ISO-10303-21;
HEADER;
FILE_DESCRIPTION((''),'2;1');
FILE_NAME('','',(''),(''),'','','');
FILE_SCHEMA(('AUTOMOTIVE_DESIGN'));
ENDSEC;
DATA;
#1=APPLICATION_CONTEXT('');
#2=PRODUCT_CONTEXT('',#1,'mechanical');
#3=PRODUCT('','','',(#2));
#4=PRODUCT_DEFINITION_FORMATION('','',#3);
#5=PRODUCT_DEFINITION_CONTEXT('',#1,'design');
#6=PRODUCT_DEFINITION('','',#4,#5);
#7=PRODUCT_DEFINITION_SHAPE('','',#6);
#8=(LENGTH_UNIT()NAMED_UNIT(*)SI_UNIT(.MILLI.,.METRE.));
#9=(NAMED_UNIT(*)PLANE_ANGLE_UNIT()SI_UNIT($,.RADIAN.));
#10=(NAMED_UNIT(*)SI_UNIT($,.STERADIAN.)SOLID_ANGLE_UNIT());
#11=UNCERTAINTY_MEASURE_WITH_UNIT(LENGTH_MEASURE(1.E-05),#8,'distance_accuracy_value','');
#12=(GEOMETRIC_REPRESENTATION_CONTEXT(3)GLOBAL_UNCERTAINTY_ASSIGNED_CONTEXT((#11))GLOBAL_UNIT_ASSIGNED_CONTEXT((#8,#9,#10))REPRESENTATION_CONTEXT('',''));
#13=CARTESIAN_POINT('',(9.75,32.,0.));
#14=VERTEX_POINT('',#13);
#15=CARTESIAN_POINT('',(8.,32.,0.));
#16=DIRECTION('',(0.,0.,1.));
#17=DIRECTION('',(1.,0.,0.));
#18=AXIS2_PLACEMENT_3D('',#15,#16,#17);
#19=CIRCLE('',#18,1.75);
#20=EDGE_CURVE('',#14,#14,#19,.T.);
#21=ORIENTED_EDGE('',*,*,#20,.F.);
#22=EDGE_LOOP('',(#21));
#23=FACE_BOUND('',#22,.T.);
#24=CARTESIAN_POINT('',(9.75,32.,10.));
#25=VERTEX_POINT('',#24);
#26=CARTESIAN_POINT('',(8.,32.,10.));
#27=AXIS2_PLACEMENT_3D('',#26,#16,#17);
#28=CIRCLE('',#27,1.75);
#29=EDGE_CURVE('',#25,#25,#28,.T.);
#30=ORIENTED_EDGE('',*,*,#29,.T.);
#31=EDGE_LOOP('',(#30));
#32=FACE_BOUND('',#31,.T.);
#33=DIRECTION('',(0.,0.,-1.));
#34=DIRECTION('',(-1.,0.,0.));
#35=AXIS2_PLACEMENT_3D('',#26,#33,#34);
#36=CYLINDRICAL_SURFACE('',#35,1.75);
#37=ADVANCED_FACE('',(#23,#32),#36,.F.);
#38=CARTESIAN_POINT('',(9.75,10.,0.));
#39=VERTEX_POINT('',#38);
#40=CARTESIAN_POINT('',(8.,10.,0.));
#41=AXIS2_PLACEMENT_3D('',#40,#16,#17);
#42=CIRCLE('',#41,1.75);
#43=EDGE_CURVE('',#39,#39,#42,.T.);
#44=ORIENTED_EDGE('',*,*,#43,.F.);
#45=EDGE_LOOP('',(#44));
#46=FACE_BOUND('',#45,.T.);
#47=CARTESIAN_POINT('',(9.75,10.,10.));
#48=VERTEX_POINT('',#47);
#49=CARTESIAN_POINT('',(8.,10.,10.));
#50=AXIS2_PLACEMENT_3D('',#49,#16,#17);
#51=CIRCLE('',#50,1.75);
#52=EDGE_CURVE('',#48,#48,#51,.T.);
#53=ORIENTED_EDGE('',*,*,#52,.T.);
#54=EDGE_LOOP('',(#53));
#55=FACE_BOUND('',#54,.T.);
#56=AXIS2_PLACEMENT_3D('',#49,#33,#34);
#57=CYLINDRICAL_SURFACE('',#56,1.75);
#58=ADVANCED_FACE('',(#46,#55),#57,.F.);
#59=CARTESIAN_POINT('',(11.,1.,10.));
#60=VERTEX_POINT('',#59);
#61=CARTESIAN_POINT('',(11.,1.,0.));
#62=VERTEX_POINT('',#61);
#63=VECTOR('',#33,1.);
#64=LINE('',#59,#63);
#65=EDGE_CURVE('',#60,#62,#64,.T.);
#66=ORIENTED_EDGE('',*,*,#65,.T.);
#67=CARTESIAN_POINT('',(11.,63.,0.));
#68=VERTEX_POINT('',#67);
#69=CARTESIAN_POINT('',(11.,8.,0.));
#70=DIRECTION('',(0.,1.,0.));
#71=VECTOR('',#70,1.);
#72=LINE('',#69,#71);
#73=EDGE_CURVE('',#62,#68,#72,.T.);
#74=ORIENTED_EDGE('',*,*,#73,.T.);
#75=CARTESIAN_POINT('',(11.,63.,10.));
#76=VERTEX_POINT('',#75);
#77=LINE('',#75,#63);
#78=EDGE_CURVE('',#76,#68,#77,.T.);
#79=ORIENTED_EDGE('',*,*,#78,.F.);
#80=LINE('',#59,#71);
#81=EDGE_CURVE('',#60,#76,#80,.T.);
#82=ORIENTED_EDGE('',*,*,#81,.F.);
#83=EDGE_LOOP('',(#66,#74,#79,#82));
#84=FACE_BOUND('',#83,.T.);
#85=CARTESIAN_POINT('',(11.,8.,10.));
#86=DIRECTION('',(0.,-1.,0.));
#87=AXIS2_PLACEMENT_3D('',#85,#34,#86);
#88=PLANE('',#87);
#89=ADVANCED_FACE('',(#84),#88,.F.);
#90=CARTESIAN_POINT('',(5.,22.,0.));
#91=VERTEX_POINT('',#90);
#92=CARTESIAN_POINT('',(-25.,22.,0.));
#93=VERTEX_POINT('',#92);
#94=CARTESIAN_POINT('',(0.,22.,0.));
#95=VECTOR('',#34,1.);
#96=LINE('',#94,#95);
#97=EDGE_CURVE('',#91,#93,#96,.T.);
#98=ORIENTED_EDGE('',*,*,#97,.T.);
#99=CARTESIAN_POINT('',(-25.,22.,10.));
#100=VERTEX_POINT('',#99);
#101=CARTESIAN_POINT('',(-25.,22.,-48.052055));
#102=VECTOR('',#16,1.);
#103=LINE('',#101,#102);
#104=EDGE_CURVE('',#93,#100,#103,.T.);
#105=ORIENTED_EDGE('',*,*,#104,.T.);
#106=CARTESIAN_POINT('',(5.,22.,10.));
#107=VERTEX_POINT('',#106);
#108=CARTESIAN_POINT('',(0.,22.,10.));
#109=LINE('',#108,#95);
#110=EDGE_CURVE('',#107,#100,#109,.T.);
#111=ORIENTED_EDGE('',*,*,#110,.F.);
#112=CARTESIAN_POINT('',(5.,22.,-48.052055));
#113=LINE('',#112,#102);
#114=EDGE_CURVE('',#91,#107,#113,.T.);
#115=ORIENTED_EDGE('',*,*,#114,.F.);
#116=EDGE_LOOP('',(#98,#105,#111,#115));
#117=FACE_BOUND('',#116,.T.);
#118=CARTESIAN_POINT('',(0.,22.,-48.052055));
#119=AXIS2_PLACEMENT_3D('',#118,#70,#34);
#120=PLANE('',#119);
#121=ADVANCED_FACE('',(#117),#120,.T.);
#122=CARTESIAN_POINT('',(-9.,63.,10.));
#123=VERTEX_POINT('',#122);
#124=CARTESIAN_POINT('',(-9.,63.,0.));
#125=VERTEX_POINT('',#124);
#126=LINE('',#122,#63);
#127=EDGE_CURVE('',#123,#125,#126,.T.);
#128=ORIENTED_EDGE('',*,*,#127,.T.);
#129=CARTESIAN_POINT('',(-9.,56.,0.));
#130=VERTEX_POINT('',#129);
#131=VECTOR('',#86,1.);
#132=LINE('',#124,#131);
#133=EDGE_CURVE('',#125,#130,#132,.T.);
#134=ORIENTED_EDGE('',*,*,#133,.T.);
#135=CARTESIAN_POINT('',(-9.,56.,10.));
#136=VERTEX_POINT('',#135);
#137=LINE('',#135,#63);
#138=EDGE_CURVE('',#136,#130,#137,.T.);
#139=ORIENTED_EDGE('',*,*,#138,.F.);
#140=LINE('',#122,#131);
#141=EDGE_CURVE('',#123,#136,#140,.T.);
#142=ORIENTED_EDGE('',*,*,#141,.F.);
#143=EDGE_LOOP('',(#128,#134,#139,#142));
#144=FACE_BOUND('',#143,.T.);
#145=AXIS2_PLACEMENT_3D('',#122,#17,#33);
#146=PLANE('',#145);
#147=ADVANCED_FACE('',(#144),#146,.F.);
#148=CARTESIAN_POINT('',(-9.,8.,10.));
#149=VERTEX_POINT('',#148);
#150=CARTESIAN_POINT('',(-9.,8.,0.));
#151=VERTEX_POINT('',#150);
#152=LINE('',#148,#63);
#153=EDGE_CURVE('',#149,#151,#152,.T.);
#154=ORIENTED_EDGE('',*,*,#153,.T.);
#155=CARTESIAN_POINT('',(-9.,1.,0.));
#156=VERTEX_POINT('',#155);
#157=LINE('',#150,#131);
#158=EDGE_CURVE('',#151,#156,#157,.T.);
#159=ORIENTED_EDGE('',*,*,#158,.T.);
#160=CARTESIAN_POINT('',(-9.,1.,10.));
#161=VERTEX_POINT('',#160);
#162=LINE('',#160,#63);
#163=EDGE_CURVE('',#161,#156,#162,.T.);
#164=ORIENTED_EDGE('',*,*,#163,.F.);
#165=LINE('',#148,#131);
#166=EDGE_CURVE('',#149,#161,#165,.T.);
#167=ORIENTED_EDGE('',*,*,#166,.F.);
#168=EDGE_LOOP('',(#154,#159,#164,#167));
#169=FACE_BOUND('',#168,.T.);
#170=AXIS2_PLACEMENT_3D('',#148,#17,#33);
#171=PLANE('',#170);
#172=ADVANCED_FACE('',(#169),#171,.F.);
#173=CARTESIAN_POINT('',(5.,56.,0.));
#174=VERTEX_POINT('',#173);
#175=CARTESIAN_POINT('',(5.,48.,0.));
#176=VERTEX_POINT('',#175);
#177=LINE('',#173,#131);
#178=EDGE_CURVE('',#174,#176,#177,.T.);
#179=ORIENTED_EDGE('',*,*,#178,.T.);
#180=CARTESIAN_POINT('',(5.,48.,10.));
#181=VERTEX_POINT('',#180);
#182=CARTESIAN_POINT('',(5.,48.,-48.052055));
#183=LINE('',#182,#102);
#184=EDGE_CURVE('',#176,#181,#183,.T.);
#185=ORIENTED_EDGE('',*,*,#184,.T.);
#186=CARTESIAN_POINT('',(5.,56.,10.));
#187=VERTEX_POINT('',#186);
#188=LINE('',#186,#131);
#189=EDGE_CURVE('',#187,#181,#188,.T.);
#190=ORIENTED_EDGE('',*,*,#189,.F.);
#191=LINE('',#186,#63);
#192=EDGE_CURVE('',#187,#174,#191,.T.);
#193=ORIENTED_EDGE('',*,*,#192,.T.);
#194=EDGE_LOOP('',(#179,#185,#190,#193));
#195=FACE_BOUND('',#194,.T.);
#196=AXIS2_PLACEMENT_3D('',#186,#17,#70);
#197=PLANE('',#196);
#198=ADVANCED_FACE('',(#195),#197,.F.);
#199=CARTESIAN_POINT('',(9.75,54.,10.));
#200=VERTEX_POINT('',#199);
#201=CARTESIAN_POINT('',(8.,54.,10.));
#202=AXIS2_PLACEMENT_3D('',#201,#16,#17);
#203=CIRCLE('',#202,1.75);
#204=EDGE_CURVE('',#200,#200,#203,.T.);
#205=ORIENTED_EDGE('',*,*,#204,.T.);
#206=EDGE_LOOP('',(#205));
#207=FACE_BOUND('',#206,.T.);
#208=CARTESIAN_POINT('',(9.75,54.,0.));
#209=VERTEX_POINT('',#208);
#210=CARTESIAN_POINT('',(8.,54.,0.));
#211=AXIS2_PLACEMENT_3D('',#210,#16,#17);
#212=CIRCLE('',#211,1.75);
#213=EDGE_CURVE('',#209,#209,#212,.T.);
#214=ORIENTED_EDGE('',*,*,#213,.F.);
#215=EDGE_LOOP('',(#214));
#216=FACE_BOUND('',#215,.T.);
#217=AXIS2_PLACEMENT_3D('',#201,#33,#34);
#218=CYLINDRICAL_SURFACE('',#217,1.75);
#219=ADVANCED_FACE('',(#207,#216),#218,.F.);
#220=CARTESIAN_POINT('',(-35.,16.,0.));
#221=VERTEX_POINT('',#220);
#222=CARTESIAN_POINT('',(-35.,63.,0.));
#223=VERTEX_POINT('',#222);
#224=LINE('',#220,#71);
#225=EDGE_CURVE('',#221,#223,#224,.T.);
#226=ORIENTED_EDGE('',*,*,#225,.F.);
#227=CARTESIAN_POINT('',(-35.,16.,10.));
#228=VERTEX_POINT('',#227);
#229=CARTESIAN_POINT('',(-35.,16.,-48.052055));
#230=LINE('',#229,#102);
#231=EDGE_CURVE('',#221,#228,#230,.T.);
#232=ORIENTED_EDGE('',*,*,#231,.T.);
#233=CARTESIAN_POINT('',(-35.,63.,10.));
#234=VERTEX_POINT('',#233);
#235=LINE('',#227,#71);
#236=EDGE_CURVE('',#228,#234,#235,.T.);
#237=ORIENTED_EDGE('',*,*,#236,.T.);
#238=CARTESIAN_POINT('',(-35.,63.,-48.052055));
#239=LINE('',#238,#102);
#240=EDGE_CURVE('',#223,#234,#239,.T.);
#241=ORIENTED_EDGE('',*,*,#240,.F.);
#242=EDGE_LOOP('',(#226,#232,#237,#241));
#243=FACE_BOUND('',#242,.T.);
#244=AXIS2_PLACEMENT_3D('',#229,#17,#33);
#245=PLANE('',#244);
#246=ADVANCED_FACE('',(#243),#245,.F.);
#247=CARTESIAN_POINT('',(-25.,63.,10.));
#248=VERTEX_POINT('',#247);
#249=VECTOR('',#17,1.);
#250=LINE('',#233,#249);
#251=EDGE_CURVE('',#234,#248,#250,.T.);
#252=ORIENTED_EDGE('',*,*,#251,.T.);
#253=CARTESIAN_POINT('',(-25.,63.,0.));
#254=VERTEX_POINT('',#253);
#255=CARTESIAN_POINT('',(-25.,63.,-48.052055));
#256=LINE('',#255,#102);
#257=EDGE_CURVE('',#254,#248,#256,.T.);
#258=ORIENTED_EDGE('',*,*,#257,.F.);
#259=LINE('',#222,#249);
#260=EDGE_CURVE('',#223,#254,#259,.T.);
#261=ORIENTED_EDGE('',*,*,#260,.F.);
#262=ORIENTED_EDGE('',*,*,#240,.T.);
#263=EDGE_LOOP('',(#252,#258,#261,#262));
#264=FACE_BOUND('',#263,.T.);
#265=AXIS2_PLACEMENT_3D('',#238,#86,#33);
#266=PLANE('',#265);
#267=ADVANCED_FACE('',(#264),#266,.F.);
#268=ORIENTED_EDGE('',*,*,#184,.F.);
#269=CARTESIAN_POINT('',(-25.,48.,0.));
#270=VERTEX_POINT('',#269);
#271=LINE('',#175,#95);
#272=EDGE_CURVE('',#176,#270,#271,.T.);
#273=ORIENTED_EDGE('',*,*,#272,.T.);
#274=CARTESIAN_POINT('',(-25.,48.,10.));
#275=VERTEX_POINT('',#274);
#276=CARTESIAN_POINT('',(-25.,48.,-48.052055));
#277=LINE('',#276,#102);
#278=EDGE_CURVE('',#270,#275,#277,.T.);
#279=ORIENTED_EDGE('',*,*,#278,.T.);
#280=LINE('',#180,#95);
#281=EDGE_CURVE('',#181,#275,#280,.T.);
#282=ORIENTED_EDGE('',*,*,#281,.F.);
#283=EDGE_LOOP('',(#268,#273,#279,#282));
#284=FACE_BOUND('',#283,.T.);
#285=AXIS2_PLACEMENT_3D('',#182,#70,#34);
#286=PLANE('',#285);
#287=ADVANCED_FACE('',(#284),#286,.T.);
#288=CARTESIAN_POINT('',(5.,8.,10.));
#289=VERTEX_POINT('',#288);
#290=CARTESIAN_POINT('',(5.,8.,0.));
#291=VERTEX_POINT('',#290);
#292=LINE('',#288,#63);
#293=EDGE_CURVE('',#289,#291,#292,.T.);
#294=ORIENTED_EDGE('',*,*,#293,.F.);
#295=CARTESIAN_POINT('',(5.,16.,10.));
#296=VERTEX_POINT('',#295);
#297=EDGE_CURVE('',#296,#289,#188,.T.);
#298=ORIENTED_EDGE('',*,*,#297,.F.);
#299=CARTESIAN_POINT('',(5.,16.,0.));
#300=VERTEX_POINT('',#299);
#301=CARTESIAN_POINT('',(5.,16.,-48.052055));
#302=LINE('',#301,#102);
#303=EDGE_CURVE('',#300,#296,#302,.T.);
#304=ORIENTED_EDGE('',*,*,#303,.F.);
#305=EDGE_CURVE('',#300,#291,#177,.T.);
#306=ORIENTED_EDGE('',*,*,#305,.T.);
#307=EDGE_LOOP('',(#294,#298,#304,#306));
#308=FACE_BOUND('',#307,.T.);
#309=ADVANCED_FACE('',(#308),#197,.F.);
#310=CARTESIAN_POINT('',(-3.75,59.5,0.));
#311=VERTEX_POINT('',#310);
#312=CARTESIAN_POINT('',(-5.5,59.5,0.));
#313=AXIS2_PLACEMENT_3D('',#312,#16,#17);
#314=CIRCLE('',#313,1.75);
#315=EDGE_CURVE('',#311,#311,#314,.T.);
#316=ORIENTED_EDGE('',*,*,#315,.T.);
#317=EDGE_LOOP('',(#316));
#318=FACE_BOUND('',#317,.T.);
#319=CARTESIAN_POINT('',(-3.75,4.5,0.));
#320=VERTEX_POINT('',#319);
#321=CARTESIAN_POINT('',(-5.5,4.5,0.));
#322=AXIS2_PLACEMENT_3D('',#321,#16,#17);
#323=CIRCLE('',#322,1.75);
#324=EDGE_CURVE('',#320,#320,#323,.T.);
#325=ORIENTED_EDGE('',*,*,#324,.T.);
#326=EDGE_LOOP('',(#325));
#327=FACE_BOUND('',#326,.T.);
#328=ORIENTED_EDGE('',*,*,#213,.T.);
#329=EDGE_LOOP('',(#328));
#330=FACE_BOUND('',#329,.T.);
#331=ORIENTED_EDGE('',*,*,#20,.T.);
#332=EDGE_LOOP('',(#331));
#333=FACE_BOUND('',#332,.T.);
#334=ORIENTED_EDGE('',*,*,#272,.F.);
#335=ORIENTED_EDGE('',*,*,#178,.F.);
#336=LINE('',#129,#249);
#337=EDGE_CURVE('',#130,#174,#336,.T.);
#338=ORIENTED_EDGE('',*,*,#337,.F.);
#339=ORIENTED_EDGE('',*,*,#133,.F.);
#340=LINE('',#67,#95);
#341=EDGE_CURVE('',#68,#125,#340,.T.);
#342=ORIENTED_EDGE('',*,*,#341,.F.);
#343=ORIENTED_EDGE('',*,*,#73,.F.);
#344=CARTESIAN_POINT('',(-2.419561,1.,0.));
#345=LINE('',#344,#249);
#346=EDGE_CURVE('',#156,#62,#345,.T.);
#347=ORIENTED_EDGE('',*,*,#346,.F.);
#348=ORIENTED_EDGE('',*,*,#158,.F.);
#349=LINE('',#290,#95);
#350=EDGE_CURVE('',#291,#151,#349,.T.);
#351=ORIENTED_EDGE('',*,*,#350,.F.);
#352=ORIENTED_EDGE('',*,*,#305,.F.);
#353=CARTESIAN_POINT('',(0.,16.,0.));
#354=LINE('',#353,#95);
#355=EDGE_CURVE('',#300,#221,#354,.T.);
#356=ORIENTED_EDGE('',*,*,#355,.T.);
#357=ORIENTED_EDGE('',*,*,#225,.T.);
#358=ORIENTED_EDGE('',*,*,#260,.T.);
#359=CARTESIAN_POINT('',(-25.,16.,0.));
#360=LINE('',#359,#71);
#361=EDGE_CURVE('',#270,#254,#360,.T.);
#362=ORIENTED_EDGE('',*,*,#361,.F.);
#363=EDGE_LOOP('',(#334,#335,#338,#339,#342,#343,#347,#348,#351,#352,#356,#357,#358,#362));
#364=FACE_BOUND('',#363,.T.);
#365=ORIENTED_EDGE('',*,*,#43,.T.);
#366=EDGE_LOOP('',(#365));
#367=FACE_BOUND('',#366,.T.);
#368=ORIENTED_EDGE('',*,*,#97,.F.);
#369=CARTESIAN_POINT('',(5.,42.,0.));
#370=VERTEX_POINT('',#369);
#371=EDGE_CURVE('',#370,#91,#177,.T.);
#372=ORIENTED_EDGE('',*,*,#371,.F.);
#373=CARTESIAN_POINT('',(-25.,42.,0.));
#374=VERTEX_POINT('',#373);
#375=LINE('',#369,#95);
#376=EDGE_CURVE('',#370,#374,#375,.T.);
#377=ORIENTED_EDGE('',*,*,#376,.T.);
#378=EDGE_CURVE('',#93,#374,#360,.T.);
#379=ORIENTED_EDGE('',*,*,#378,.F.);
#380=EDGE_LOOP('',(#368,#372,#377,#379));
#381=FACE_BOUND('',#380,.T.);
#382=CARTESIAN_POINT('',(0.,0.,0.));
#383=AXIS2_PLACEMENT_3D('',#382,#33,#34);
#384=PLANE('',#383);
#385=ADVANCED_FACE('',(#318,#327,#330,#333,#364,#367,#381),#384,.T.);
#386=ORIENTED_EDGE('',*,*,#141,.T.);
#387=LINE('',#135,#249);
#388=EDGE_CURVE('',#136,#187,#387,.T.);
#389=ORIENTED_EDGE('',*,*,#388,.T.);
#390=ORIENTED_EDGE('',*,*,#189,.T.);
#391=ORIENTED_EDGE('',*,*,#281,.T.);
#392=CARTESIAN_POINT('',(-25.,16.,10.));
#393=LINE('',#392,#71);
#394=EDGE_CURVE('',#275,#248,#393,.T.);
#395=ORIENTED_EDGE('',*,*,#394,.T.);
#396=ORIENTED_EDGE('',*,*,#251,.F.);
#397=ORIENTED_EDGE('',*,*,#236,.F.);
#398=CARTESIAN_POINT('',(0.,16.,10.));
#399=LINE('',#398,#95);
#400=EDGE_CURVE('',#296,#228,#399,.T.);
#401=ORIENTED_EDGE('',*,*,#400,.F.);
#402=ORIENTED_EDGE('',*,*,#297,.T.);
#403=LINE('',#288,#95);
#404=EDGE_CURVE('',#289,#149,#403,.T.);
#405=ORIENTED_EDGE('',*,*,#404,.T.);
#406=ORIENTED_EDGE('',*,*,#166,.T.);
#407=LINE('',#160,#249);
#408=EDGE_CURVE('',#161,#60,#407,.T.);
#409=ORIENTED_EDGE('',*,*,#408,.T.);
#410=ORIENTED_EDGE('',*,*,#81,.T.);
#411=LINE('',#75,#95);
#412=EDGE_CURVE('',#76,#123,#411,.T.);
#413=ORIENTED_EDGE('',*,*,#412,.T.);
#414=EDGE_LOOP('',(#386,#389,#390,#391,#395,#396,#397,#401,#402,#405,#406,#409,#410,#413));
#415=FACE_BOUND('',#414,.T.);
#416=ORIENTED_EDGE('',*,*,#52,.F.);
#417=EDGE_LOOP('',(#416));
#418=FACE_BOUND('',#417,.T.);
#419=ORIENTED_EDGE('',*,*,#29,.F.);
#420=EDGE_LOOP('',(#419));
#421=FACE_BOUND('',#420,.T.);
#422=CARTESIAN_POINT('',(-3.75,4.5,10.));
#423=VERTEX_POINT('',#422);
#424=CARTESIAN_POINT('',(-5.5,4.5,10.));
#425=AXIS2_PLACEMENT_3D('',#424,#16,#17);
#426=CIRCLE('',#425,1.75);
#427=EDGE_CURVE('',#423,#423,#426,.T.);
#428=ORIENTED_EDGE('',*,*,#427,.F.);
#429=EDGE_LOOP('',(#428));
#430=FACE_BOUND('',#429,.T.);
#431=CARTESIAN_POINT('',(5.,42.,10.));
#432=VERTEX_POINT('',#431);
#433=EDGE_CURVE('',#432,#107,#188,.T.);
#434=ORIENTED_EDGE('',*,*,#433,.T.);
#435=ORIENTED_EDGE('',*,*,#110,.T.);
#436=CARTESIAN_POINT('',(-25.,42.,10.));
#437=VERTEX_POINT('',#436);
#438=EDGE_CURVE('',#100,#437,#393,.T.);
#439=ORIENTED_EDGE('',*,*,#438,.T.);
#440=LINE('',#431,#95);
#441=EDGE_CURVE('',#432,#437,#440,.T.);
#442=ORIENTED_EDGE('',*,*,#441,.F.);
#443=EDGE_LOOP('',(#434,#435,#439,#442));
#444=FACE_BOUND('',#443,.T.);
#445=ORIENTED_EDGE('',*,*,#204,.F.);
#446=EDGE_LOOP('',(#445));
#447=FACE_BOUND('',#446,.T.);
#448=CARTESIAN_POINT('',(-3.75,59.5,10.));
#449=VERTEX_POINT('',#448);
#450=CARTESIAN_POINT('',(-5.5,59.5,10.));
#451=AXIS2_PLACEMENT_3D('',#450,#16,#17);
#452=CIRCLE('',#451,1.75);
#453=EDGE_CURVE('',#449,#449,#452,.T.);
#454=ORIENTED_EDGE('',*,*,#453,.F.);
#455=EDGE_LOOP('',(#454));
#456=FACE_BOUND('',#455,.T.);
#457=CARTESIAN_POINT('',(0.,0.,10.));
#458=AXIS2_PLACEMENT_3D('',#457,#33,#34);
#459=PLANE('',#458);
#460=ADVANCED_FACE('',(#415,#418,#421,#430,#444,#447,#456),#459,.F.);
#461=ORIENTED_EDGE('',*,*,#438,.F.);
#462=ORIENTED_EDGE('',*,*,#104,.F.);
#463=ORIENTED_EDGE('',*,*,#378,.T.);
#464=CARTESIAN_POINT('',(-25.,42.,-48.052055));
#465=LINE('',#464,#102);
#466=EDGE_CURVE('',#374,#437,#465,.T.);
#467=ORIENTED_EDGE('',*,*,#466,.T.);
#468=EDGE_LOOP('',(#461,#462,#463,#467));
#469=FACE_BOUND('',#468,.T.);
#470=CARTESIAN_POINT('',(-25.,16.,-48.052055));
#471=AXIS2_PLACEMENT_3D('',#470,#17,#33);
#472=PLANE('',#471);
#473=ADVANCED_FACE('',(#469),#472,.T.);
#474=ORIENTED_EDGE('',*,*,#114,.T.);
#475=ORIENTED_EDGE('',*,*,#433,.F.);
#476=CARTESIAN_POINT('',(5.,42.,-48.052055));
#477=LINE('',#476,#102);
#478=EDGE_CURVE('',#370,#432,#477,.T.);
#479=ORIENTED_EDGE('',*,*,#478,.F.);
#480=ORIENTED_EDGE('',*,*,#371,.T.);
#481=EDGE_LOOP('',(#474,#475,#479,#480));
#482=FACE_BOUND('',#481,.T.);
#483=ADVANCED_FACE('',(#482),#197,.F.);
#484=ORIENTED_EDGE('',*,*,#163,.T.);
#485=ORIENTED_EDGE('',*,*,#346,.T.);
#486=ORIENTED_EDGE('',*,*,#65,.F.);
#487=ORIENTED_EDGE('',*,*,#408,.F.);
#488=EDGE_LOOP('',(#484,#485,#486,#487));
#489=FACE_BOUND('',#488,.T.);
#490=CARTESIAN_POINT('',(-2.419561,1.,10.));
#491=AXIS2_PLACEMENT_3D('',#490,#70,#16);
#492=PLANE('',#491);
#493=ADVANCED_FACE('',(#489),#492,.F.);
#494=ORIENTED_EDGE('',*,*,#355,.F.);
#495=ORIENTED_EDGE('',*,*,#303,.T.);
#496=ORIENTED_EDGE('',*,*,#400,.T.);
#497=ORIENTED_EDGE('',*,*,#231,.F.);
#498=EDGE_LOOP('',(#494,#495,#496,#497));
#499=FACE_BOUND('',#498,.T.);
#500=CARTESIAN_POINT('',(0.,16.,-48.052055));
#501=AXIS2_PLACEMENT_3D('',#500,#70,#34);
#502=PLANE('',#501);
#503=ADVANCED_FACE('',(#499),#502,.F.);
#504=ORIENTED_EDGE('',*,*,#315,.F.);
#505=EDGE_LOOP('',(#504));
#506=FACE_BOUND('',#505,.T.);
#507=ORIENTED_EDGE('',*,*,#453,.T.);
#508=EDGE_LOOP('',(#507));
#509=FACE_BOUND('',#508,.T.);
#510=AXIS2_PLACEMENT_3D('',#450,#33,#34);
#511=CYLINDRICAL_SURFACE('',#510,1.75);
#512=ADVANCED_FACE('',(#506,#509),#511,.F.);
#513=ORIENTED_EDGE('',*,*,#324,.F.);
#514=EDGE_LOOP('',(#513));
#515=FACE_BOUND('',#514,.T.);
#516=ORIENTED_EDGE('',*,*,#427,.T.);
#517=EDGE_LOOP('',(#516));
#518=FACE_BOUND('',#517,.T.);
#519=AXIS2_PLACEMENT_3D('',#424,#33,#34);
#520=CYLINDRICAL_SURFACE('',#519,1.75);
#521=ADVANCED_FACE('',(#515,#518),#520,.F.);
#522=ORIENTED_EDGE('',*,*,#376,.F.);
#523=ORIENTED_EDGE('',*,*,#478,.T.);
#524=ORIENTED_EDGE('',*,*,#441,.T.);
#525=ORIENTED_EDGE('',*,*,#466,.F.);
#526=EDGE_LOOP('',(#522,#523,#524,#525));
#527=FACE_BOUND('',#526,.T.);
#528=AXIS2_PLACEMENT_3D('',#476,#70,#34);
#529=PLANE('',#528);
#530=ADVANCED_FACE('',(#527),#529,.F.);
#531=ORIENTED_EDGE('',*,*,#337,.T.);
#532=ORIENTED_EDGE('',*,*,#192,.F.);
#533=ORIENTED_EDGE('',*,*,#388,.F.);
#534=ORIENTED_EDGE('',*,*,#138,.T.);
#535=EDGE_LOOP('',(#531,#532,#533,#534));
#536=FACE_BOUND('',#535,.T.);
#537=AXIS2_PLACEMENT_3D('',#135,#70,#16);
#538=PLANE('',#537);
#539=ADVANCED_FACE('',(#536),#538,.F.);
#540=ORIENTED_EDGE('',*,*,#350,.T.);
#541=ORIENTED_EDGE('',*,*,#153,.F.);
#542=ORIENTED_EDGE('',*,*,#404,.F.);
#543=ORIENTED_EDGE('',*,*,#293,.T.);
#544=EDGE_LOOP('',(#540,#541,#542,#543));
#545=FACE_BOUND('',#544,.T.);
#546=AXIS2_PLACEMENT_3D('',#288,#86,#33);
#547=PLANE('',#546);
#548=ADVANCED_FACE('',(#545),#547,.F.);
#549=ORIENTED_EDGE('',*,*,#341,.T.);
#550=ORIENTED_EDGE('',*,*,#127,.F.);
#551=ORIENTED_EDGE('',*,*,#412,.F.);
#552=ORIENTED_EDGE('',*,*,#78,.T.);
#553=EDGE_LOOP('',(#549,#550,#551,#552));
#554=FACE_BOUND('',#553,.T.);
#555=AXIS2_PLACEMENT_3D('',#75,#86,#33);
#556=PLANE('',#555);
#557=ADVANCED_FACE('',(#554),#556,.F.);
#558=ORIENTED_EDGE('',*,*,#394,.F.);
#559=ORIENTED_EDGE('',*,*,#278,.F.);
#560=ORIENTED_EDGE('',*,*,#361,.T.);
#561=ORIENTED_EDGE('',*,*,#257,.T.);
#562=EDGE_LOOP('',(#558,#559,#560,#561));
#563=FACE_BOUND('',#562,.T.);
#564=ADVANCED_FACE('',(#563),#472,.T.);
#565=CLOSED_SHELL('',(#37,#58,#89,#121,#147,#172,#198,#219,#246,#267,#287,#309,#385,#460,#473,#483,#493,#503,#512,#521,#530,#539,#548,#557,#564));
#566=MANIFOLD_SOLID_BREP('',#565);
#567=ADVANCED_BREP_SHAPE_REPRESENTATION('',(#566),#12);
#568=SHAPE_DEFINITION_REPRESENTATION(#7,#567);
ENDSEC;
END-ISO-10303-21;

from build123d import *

# Parameters (mm, degrees)
SKETCH1_R           = 1.75
BOSS_EXTRUDE1_DEPTH = 10
BOSS_EXTRUDE2_DEPTH = 10


with BuildPart() as part:
    # Sketch1 → Boss-Extrude1 (new body)
    with BuildSketch(Plane.XY):
        Polygon((-2.419560872, 1), (11, 1), (11, 8), (11, 63), (-9, 63), (-9, 56), (5, 56), (5, 8), (-9, 8), (-9, 1), align=None)
        with Locations((-5.5, 59.5)):
            Circle(SKETCH1_R, mode=Mode.SUBTRACT)
        with Locations((8, 54)):
            Circle(SKETCH1_R, mode=Mode.SUBTRACT)
        with Locations((-5.5, 4.5)):
            Circle(SKETCH1_R, mode=Mode.SUBTRACT)
        with Locations((8, 10)):
            Circle(SKETCH1_R, mode=Mode.SUBTRACT)
        with Locations((8, 32)):
            Circle(SKETCH1_R, mode=Mode.SUBTRACT)
    extrude(amount=BOSS_EXTRUDE1_DEPTH)

    # Sketch2 → Boss-Extrude2 (add)
    with BuildSketch(Plane.XY.offset(10)):
        Polygon((5, 42), (5, 48), (-25, 48), (-25, 63), (-35, 63), (-35, 16), (5, 16), (5, 22), (-25, 22), (-25, 42), align=None)
    extrude(amount=-BOSS_EXTRUDE2_DEPTH)


solid = part.part
